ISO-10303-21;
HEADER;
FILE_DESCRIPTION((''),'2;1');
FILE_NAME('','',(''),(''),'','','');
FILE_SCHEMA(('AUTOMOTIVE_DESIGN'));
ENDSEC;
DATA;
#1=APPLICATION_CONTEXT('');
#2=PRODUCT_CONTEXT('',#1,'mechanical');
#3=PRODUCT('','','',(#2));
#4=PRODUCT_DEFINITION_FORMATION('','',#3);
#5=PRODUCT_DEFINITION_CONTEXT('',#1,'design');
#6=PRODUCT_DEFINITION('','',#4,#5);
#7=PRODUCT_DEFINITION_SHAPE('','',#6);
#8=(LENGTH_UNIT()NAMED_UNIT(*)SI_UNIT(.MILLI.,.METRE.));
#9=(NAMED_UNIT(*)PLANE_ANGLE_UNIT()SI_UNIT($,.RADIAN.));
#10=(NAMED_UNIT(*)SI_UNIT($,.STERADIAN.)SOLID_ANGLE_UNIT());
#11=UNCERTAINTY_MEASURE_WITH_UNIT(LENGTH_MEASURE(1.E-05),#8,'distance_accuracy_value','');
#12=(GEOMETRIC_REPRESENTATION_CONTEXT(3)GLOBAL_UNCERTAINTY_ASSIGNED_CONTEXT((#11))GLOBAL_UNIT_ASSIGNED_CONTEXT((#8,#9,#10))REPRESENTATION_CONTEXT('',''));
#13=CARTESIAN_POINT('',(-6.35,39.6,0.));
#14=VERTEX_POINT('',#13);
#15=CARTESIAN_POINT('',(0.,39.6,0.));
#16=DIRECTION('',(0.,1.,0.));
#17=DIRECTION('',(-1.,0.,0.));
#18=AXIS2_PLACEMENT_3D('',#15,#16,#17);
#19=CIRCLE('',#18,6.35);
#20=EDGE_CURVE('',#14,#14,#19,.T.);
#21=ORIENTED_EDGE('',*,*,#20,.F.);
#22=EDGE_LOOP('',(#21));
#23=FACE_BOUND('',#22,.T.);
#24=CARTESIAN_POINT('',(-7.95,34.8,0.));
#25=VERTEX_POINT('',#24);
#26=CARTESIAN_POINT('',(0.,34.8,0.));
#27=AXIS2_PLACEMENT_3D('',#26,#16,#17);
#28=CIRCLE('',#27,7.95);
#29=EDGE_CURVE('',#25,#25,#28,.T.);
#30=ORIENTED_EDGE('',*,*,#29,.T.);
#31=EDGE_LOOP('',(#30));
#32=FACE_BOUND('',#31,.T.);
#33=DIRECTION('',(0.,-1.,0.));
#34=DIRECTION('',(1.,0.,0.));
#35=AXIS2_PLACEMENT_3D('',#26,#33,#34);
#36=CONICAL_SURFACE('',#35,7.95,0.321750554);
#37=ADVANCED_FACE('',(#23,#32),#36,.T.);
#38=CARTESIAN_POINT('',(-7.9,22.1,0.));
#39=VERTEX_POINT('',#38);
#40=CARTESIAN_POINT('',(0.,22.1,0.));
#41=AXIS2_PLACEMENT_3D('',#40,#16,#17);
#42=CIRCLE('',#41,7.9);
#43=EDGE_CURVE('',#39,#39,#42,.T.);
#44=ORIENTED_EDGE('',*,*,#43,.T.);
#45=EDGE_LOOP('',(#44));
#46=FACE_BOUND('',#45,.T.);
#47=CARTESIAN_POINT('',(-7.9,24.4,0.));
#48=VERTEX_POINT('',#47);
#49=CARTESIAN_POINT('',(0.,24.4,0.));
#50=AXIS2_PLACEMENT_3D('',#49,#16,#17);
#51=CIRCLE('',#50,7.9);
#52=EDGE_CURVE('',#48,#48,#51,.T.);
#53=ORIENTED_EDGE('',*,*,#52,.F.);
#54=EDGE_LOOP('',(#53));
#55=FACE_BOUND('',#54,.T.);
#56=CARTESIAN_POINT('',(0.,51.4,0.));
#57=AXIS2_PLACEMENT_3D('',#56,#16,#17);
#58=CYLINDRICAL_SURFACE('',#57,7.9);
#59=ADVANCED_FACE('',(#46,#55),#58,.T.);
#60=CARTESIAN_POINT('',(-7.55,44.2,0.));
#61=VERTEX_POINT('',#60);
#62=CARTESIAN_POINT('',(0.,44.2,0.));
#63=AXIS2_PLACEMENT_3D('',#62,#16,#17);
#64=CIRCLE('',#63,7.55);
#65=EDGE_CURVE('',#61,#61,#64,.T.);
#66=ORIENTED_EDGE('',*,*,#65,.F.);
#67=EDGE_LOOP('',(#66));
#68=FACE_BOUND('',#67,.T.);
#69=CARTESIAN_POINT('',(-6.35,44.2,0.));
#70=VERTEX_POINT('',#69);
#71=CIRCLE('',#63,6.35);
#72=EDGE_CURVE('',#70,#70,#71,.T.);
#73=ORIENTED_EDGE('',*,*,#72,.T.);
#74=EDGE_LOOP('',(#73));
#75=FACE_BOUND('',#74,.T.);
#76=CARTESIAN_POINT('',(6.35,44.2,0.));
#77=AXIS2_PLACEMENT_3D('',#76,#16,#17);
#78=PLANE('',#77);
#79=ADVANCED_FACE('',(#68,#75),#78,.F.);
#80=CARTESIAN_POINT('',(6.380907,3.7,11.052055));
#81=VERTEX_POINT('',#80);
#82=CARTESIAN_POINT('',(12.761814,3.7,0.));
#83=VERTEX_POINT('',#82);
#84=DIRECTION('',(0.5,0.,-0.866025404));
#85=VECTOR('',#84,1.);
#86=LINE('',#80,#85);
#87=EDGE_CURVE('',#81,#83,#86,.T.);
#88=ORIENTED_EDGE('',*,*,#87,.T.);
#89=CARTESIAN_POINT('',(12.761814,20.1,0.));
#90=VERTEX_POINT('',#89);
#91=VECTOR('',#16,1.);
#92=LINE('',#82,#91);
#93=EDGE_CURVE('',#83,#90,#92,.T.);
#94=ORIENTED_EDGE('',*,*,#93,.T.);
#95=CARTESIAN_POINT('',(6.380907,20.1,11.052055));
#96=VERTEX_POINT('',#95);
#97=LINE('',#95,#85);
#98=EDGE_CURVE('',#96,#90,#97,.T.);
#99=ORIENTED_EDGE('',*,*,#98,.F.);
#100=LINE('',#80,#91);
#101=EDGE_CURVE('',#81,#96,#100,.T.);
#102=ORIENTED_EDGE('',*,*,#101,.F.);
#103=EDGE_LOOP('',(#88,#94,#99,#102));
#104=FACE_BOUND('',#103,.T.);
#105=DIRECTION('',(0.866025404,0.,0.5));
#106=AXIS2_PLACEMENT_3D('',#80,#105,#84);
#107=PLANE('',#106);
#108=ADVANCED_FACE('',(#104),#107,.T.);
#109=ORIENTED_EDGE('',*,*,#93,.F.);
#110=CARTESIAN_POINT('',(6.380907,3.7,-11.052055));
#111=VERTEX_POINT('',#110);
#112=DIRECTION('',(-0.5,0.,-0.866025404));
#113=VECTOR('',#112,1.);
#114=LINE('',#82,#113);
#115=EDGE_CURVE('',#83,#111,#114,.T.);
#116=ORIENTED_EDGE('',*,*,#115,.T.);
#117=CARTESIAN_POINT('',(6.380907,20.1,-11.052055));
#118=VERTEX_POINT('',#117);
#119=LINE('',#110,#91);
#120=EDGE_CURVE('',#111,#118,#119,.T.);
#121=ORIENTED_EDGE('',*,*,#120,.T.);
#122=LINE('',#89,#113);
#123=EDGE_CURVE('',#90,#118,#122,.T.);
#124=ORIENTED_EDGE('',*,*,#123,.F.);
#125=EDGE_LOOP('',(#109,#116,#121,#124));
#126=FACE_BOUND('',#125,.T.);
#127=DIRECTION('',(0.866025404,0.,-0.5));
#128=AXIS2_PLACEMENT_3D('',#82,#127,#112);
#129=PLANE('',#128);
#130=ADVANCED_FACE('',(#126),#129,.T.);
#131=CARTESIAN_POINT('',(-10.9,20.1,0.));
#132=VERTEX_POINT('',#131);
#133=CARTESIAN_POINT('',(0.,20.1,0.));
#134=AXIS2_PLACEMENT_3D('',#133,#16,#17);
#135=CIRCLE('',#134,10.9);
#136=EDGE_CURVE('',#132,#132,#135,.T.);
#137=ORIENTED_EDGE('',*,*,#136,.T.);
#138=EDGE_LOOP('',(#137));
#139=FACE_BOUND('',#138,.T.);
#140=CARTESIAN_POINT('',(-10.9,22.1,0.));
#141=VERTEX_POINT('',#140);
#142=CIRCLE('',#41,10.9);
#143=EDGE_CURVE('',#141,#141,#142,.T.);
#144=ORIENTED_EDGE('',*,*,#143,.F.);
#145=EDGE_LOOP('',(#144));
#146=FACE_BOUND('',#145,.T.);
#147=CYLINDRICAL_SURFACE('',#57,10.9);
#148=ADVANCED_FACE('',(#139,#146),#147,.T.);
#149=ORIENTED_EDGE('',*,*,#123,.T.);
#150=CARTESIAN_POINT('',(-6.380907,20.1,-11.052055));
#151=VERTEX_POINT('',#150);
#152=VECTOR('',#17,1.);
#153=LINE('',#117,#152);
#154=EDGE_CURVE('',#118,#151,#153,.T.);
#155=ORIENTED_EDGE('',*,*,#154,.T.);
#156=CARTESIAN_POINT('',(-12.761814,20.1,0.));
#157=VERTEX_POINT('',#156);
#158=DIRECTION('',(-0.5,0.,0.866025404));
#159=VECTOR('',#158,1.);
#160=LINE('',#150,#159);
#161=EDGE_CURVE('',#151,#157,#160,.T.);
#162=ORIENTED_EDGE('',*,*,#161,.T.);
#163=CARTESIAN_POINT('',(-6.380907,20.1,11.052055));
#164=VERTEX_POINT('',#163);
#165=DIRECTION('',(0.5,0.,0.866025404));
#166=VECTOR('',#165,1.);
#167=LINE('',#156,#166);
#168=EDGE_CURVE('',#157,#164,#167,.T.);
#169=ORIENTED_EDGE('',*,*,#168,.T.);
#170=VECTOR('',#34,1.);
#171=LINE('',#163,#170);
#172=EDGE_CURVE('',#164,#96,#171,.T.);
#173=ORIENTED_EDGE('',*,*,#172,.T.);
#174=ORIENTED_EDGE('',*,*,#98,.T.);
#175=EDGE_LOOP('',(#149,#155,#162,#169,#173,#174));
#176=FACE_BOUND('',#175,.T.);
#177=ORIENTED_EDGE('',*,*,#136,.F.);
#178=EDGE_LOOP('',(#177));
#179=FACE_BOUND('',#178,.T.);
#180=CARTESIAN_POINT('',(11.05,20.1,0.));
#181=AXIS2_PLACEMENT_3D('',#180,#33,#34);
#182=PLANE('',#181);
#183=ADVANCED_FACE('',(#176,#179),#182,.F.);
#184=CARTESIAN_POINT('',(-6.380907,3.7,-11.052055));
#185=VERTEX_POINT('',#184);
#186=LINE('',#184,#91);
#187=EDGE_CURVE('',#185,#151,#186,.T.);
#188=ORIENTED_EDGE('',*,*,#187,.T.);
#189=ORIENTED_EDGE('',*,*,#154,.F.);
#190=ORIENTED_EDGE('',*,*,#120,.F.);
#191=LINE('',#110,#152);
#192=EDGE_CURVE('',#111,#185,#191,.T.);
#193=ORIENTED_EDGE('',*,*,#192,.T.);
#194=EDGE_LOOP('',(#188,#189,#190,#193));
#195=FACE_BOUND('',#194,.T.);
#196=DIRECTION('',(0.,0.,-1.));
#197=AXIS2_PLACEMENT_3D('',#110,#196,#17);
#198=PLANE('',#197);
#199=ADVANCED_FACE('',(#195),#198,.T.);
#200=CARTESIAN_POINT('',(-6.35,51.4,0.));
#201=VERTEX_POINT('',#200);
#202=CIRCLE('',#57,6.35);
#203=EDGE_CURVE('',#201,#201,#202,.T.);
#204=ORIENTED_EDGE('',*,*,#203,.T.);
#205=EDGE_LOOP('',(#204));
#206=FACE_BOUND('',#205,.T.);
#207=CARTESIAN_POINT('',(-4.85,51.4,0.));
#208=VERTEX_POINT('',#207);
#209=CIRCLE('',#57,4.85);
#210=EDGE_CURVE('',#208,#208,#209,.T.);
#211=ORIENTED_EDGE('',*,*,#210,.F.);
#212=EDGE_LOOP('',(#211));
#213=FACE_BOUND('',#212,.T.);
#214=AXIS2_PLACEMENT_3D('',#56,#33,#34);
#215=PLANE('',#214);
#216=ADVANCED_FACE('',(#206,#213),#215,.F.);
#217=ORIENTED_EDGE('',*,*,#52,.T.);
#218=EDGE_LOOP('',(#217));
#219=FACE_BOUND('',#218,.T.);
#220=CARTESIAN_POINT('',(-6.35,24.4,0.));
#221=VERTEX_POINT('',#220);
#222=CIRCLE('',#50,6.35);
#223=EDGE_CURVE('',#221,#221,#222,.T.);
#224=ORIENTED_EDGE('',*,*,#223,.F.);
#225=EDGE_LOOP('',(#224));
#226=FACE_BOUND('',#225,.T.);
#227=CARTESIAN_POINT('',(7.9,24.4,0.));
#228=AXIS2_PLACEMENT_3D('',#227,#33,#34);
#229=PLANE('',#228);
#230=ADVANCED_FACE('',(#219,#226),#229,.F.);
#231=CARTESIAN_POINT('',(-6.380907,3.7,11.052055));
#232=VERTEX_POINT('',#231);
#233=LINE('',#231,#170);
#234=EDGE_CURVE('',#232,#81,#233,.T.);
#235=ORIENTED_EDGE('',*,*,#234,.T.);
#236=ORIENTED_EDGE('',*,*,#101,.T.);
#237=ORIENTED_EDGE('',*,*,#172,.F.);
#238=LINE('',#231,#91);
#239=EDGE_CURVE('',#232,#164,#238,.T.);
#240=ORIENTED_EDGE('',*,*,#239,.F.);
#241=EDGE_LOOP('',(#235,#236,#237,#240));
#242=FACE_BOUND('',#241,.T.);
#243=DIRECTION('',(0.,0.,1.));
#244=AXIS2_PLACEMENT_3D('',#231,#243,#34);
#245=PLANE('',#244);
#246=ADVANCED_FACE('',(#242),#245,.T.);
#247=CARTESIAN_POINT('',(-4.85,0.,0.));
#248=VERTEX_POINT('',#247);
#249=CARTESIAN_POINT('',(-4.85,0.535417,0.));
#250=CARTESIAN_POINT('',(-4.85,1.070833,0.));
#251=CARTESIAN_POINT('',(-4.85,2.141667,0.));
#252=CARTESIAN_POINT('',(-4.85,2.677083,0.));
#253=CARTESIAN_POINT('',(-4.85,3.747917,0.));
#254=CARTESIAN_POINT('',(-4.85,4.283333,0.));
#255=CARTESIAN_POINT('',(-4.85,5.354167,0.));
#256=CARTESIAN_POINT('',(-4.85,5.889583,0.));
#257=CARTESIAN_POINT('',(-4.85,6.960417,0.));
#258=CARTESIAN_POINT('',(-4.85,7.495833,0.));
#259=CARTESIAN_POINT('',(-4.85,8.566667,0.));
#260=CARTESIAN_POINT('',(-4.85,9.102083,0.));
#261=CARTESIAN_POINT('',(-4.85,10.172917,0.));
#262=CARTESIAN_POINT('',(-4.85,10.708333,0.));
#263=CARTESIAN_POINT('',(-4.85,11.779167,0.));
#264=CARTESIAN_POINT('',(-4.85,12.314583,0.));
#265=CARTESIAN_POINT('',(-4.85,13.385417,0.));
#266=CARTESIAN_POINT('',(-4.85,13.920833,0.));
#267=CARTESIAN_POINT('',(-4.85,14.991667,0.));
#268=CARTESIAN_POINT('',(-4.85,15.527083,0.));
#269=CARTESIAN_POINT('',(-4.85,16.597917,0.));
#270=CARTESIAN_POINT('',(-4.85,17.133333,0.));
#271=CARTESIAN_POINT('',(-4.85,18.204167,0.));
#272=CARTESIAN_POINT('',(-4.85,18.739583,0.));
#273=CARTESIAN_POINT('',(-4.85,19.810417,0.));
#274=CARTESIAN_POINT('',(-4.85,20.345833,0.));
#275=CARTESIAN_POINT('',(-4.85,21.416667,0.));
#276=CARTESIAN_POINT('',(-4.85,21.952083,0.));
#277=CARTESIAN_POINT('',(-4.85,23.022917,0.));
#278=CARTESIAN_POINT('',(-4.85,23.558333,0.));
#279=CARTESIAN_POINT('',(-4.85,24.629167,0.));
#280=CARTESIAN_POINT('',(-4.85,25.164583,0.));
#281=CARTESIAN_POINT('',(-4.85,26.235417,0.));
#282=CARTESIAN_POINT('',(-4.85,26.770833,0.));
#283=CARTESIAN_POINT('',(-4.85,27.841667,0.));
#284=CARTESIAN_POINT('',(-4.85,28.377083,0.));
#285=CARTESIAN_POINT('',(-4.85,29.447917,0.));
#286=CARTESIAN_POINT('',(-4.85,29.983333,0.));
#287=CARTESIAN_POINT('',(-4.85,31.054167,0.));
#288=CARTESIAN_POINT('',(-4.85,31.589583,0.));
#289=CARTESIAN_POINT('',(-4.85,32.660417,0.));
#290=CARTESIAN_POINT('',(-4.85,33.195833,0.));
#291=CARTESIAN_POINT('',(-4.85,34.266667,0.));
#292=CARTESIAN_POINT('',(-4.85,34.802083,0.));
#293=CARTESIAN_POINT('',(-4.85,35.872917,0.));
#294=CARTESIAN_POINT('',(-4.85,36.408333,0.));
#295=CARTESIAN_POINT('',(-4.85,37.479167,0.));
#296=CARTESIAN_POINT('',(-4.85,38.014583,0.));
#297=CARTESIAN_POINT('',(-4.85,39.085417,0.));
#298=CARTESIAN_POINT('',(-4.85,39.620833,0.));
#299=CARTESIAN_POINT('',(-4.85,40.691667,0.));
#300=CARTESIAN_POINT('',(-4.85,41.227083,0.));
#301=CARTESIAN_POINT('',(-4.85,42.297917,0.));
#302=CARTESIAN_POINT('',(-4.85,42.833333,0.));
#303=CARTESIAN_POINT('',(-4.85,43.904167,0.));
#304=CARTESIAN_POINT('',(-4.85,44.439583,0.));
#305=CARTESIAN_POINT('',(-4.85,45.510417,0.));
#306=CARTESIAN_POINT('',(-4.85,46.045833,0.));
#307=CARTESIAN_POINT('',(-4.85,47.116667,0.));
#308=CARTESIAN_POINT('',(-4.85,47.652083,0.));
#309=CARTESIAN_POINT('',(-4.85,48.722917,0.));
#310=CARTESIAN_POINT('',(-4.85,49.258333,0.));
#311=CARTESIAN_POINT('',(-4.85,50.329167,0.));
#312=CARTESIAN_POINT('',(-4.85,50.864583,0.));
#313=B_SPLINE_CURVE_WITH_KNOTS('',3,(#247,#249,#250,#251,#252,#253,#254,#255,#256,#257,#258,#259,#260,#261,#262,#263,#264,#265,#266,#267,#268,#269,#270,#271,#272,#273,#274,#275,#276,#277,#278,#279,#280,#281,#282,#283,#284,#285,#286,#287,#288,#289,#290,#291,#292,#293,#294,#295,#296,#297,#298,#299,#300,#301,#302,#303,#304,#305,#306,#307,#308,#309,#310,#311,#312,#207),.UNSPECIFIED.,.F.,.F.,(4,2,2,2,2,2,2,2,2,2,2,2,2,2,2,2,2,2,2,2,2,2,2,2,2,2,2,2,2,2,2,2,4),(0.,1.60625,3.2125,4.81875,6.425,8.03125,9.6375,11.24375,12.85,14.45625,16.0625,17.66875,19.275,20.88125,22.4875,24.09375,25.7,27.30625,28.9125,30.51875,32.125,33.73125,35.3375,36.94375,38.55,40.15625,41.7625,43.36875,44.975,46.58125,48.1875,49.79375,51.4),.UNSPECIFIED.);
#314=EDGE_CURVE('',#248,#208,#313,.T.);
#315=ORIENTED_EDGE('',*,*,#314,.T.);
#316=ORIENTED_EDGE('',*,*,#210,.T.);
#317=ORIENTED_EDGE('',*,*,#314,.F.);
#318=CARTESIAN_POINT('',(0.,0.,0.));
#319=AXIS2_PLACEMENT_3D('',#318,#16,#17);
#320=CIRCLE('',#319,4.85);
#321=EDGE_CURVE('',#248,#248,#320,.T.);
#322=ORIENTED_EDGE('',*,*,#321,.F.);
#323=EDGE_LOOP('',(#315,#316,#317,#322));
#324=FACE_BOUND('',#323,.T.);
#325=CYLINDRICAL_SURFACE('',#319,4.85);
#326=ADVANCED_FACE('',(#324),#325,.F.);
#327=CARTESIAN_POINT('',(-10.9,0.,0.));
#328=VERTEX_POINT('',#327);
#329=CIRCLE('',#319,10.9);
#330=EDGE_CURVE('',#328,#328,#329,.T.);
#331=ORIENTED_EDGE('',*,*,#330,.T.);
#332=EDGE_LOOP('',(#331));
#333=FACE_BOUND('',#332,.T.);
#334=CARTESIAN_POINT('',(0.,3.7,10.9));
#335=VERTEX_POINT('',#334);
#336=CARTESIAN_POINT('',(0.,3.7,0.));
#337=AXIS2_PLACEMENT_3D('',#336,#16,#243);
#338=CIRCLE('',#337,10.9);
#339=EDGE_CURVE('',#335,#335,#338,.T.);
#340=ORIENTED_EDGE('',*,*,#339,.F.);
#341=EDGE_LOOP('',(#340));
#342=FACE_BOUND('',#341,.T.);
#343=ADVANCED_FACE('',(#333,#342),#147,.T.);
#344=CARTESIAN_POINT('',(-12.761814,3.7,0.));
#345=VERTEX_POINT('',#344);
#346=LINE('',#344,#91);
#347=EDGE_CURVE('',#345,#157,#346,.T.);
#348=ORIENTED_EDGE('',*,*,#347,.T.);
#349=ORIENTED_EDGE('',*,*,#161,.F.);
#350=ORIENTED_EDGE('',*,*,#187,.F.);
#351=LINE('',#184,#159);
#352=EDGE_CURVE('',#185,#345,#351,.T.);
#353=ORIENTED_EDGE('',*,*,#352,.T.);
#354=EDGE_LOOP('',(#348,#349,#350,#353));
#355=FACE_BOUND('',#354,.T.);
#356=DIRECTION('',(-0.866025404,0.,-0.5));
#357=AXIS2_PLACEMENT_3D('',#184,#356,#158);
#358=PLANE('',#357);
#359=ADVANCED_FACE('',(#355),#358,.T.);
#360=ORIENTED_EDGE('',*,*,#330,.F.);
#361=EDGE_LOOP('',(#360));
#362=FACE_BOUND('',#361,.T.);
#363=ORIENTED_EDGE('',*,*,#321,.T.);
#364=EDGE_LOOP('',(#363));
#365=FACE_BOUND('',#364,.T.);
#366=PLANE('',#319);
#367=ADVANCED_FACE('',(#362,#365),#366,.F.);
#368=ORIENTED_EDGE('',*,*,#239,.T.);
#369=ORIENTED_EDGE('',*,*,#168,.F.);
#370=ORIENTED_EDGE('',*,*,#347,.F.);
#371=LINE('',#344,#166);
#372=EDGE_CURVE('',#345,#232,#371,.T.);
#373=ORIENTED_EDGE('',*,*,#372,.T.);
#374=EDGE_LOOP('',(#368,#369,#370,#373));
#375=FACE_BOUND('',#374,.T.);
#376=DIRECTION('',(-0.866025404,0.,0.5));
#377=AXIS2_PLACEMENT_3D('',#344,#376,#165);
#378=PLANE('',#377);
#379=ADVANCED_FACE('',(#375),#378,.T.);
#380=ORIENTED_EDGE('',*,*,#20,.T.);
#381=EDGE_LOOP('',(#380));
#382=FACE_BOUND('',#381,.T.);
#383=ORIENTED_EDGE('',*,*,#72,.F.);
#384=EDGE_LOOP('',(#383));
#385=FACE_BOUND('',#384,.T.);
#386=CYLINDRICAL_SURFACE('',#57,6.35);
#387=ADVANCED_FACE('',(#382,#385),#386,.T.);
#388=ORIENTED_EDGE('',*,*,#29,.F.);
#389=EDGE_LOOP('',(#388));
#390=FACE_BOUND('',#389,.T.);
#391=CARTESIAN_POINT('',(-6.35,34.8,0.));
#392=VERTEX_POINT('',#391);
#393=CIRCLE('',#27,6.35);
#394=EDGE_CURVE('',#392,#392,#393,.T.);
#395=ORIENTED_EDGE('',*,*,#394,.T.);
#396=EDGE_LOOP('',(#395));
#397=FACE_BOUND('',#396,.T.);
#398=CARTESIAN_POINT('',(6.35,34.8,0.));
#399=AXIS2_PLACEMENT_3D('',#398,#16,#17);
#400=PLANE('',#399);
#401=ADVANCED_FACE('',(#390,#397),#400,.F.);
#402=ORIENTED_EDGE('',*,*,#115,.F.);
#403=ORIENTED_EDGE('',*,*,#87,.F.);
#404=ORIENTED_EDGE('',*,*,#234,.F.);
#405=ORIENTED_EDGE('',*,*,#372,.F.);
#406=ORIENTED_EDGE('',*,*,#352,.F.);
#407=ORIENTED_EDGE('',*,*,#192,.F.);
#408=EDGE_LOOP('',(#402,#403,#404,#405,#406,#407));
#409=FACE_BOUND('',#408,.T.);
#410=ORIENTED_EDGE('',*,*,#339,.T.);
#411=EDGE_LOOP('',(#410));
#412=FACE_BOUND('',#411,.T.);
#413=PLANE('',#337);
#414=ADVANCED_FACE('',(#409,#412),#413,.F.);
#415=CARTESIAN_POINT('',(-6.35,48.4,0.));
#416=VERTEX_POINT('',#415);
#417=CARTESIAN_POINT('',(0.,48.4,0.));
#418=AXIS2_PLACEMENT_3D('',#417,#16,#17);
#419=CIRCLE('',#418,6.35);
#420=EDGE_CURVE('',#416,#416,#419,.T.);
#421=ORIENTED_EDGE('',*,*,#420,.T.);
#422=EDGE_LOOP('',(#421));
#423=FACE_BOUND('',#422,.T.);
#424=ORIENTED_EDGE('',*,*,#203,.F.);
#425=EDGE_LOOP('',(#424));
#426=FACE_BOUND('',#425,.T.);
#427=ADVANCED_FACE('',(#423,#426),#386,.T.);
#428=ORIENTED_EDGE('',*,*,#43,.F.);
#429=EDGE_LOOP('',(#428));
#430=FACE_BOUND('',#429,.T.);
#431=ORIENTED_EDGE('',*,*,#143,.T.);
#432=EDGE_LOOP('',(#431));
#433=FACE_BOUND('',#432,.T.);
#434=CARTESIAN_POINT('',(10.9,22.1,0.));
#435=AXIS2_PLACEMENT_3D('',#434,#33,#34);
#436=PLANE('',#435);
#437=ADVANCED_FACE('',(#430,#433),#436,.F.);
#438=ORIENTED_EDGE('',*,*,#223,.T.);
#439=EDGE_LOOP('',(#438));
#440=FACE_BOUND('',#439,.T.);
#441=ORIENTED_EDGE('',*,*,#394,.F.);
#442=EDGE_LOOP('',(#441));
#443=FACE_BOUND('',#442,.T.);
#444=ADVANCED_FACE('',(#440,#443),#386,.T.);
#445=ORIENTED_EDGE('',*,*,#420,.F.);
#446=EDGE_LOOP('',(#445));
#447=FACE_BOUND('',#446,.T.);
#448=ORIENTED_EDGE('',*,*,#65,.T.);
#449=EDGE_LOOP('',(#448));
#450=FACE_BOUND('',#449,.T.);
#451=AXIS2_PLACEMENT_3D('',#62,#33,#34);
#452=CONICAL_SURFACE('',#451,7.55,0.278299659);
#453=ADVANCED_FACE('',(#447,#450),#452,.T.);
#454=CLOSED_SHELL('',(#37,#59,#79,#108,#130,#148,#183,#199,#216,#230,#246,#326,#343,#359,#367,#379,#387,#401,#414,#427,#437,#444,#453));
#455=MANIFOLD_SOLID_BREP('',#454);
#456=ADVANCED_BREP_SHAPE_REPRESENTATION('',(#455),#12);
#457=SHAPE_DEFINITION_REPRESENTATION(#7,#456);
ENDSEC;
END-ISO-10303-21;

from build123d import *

# Parameters (mm, degrees)
BOSS_EXTRUDE1_DEPTH = 16.4
SKETCH3_R           = 4.85
CUT_EXTRUDE1_DEPTH  = 55.101495482


with BuildPart() as part:
    # Sketch1 → Revolve1 (revolve)
    with BuildSketch(Plane.XY, mode=Mode.PRIVATE) as revolve1_sk:
        Polygon((0, 51.4), (0, 0), (10.9, 0), (10.9, 3.8), (11.05, 3.8), (11.05, 20.1), (10.9, 20.1), (10.9, 22.1), (7.9, 22.1), (7.9, 24.4), (6.35, 24.4), (6.35, 34.8), (7.95, 34.8), (6.35, 39.6), (6.35, 44.2), (7.55, 44.2), (6.35, 48.4), (6.35, 51.4), align=None)
    revolve(revolve1_sk.sketch.rotate(Axis((0, 51.4, 0), (0, -1, 0)), 180), axis=Axis((0, 51.4, 0), (0, -1, 0)))

    # Sketch2 → Boss-Extrude1 (add)
    with BuildSketch(Plane(origin=(0, 20.1, 0), x_dir=(1, 0, 0), z_dir=(0, 1, 0))):
        Polygon((12.761813873, 0), (6.380906937, 11.052055013), (-6.380906937, 11.052055013), (-12.761813873, 0), (-6.380906937, -11.052055013), (6.380906937, -11.052055013), align=None)
    extrude(amount=-BOSS_EXTRUDE1_DEPTH)

    # Sketch3 → Cut-Extrude1 (cut, through all)
    with BuildSketch(Plane(origin=(0, 51.4, 0), x_dir=(1, 0, 0), z_dir=(0, 1, 0))):
        with Locations(Location((0, 0, 0), (0, 0, 180))):
            Circle(SKETCH3_R)
    extrude(amount=-CUT_EXTRUDE1_DEPTH, mode=Mode.SUBTRACT)


solid = part.part
